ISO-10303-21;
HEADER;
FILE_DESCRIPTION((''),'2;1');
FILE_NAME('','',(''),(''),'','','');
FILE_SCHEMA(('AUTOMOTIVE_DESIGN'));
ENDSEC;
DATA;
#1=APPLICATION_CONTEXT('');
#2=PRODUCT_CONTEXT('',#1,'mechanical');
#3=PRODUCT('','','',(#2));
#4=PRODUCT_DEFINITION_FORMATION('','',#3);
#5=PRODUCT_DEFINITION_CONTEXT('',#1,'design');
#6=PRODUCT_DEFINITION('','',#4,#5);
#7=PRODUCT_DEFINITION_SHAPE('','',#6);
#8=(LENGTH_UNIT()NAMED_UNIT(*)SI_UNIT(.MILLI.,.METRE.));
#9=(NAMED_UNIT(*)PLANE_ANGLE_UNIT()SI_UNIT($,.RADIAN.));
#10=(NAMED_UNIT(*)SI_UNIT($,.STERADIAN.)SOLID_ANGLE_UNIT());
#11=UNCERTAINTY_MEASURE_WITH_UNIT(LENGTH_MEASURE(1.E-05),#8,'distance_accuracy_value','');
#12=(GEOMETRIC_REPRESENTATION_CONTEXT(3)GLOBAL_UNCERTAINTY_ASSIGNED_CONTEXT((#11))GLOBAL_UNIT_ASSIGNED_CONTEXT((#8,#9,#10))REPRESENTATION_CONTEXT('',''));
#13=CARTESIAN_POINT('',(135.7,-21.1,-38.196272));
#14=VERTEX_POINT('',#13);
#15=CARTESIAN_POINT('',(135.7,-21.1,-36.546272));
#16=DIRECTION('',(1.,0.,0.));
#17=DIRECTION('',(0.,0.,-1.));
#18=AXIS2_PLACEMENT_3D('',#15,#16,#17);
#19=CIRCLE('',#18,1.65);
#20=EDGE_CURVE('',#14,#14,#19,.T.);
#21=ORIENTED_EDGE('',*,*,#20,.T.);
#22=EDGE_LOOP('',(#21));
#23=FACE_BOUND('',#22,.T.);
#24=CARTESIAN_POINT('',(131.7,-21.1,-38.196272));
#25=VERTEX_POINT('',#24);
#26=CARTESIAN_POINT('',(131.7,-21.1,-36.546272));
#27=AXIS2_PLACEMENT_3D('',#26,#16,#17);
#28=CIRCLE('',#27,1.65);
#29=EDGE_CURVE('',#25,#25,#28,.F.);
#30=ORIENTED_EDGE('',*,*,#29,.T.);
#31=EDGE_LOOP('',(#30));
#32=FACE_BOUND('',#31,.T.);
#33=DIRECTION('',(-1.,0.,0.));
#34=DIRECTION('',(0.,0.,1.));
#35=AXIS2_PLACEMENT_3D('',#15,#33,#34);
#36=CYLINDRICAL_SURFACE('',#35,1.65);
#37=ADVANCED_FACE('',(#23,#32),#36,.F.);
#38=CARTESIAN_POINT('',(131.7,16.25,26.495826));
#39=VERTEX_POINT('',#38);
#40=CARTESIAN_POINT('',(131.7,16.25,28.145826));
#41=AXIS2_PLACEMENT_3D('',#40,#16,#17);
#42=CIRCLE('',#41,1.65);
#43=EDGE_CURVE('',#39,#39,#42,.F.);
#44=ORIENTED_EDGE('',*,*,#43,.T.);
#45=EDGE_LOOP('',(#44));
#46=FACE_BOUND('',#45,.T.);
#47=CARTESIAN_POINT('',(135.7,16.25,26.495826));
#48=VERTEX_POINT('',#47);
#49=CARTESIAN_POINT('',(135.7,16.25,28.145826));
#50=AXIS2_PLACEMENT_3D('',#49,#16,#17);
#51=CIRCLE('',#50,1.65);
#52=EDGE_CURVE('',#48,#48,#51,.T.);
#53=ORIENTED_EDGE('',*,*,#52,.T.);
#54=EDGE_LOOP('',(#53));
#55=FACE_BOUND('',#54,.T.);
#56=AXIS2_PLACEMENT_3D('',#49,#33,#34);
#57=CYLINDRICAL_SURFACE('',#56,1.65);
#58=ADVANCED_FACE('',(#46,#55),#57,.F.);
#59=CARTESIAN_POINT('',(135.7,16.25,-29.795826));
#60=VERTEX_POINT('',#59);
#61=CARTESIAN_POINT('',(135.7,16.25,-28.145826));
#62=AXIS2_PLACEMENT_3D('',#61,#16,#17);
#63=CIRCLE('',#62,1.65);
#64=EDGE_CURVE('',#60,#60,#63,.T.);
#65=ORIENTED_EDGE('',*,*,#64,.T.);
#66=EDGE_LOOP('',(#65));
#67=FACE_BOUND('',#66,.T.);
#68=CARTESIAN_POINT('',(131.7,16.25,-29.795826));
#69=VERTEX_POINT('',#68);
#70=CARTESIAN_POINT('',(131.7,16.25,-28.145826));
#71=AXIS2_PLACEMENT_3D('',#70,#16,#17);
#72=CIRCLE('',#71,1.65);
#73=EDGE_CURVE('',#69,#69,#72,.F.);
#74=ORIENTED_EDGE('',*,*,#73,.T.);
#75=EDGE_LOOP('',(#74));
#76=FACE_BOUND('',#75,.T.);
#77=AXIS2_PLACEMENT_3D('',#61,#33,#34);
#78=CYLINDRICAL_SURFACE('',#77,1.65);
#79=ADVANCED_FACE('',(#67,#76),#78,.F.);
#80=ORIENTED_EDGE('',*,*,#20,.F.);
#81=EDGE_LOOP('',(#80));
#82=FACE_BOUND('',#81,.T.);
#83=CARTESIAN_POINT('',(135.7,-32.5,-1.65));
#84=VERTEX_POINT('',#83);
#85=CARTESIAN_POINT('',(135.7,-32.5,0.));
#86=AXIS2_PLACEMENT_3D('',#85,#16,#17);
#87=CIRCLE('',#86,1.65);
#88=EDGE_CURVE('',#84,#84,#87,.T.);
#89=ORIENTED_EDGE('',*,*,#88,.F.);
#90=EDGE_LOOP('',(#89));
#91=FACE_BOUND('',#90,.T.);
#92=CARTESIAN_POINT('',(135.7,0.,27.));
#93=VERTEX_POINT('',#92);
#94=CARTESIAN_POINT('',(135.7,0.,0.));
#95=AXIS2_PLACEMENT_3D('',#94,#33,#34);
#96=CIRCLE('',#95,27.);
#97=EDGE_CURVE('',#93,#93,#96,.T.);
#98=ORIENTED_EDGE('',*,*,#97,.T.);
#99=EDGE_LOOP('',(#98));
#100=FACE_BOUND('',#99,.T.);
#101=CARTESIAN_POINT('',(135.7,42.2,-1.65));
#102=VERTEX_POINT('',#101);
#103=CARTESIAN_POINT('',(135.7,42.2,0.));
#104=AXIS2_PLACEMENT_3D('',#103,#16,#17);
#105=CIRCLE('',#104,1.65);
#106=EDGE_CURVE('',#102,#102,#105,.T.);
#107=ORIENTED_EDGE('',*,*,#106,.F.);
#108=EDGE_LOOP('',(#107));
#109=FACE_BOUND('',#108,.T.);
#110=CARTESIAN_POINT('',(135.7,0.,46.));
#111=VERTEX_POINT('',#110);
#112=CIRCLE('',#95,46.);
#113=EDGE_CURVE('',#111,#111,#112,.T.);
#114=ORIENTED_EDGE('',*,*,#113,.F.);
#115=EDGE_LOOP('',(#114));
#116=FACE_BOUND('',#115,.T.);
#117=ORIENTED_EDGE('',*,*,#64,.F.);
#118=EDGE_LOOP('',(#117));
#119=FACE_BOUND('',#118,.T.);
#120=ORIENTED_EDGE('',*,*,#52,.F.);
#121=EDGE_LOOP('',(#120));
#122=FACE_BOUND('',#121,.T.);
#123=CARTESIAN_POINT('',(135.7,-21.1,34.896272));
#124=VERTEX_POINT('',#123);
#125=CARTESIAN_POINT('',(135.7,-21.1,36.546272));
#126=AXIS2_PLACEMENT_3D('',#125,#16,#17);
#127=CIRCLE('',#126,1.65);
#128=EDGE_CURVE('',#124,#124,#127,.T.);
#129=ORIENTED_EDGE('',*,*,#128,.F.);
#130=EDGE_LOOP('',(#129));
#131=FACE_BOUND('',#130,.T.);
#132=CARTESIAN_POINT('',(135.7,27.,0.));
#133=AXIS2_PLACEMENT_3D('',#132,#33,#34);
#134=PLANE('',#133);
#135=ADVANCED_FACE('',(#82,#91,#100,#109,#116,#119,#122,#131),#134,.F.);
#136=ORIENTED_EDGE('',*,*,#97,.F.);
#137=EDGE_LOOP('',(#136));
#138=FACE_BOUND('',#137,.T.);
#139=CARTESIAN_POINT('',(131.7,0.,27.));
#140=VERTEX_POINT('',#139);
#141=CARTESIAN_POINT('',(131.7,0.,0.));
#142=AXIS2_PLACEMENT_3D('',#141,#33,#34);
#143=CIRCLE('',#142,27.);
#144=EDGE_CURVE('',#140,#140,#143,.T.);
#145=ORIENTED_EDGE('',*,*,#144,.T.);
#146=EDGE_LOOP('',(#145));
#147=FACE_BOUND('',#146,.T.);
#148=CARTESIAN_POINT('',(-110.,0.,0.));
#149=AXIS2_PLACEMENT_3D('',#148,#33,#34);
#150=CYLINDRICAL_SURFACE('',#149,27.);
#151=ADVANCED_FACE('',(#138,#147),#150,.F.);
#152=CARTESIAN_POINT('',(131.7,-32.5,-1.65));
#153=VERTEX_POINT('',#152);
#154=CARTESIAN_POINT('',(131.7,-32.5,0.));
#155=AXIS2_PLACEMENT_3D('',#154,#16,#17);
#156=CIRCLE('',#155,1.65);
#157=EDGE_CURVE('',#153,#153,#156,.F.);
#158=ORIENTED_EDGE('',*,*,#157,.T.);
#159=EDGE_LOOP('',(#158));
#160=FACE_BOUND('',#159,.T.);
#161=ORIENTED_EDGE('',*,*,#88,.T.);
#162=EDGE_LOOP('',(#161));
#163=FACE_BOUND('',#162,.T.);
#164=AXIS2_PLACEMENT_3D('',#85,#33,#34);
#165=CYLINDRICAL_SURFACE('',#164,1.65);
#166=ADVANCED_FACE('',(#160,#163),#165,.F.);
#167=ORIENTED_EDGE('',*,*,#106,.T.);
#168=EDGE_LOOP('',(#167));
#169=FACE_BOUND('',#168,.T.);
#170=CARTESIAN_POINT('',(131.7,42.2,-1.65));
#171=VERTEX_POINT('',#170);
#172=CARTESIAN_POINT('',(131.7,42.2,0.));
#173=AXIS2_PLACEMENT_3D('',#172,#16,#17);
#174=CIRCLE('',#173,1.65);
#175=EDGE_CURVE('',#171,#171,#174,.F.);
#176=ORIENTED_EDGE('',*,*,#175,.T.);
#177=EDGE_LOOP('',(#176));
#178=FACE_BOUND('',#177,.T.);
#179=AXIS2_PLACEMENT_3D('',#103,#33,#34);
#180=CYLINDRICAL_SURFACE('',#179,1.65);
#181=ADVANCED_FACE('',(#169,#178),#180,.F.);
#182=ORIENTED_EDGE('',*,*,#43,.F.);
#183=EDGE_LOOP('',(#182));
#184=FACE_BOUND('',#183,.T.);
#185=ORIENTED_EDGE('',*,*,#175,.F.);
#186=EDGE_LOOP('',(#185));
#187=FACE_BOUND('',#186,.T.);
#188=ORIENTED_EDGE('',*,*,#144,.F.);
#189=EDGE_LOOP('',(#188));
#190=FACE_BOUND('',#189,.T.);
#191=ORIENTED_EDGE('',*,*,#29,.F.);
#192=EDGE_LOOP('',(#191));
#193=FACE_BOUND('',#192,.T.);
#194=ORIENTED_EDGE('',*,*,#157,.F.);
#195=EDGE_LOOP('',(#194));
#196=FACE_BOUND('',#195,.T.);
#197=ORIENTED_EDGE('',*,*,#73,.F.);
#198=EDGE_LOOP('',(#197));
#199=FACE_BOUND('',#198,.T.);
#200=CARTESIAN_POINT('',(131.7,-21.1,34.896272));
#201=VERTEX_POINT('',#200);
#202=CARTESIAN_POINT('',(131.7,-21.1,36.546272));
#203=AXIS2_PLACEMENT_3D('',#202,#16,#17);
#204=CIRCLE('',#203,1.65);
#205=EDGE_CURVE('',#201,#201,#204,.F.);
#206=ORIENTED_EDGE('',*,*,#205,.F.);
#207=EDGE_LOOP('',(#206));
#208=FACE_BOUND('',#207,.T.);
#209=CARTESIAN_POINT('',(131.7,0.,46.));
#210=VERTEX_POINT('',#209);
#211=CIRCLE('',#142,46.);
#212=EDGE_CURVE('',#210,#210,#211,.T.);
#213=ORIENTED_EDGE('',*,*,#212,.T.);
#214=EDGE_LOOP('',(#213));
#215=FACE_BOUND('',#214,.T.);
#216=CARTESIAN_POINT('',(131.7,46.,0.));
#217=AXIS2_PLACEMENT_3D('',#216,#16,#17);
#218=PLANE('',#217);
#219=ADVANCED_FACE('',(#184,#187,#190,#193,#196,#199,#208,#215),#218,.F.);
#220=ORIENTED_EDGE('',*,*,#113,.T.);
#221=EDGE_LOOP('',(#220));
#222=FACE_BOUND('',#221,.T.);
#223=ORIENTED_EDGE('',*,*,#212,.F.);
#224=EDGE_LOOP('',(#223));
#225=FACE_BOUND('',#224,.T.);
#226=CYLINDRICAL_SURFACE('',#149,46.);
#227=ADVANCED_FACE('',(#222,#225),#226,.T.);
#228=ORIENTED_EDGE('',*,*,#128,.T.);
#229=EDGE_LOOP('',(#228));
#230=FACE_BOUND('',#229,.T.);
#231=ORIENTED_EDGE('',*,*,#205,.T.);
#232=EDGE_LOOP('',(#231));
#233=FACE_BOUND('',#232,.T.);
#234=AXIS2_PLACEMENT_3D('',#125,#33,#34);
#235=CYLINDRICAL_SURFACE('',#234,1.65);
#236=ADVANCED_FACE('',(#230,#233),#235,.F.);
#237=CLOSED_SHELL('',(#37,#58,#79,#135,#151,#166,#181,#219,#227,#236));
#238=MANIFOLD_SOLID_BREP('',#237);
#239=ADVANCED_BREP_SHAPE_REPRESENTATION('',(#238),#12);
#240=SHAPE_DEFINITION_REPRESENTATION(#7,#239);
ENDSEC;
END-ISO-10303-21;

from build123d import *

# Parameters (mm, degrees)
AXIAL_PROFILE_MM_W     = 4
AXIAL_PROFILE_MM_H     = 19
AXIAL_HOLES_DEPTH      = 151.487507787
AXIAL_HOLES_DEPTH_BACK = 151.487507787
SKETCH2_R              = 1.65


with BuildPart() as part:
    # Axial profile (mm) → Full revolution (revolve)
    with BuildSketch(Plane.XY, mode=Mode.PRIVATE) as full_revolution_sk:
        with Locations((133.7, 36.5)):
            Rectangle(AXIAL_PROFILE_MM_W, AXIAL_PROFILE_MM_H)
    revolve(full_revolution_sk.sketch.rotate(Axis((-110, 0, 0), (1, 0, 0)), 90), axis=Axis((-110, 0, 0), (1, 0, 0)))

    # Sketch2 → Axial holes (cut, two sides: drawn at the far end of the back side and taken through both)
    with BuildSketch(Plane(origin=(0, 0, 0), x_dir=(0, 0, -1), z_dir=(1, 0, 0)).offset(-AXIAL_HOLES_DEPTH_BACK)):
        with Locations((0, 42.2)):
            Circle(SKETCH2_R)
        with Locations((-36.54627204, -21.1)):
            Circle(SKETCH2_R)
        with Locations((36.54627204, -21.1)):
            Circle(SKETCH2_R)
        with Locations((-28.145825623, 16.25)):
            Circle(SKETCH2_R)
        with Locations((0, -32.5)):
            Circle(SKETCH2_R)
        with Locations((28.145825623, 16.25)):
            Circle(SKETCH2_R)
    extrude(amount=AXIAL_HOLES_DEPTH + AXIAL_HOLES_DEPTH_BACK, mode=Mode.SUBTRACT)


solid = part.part
